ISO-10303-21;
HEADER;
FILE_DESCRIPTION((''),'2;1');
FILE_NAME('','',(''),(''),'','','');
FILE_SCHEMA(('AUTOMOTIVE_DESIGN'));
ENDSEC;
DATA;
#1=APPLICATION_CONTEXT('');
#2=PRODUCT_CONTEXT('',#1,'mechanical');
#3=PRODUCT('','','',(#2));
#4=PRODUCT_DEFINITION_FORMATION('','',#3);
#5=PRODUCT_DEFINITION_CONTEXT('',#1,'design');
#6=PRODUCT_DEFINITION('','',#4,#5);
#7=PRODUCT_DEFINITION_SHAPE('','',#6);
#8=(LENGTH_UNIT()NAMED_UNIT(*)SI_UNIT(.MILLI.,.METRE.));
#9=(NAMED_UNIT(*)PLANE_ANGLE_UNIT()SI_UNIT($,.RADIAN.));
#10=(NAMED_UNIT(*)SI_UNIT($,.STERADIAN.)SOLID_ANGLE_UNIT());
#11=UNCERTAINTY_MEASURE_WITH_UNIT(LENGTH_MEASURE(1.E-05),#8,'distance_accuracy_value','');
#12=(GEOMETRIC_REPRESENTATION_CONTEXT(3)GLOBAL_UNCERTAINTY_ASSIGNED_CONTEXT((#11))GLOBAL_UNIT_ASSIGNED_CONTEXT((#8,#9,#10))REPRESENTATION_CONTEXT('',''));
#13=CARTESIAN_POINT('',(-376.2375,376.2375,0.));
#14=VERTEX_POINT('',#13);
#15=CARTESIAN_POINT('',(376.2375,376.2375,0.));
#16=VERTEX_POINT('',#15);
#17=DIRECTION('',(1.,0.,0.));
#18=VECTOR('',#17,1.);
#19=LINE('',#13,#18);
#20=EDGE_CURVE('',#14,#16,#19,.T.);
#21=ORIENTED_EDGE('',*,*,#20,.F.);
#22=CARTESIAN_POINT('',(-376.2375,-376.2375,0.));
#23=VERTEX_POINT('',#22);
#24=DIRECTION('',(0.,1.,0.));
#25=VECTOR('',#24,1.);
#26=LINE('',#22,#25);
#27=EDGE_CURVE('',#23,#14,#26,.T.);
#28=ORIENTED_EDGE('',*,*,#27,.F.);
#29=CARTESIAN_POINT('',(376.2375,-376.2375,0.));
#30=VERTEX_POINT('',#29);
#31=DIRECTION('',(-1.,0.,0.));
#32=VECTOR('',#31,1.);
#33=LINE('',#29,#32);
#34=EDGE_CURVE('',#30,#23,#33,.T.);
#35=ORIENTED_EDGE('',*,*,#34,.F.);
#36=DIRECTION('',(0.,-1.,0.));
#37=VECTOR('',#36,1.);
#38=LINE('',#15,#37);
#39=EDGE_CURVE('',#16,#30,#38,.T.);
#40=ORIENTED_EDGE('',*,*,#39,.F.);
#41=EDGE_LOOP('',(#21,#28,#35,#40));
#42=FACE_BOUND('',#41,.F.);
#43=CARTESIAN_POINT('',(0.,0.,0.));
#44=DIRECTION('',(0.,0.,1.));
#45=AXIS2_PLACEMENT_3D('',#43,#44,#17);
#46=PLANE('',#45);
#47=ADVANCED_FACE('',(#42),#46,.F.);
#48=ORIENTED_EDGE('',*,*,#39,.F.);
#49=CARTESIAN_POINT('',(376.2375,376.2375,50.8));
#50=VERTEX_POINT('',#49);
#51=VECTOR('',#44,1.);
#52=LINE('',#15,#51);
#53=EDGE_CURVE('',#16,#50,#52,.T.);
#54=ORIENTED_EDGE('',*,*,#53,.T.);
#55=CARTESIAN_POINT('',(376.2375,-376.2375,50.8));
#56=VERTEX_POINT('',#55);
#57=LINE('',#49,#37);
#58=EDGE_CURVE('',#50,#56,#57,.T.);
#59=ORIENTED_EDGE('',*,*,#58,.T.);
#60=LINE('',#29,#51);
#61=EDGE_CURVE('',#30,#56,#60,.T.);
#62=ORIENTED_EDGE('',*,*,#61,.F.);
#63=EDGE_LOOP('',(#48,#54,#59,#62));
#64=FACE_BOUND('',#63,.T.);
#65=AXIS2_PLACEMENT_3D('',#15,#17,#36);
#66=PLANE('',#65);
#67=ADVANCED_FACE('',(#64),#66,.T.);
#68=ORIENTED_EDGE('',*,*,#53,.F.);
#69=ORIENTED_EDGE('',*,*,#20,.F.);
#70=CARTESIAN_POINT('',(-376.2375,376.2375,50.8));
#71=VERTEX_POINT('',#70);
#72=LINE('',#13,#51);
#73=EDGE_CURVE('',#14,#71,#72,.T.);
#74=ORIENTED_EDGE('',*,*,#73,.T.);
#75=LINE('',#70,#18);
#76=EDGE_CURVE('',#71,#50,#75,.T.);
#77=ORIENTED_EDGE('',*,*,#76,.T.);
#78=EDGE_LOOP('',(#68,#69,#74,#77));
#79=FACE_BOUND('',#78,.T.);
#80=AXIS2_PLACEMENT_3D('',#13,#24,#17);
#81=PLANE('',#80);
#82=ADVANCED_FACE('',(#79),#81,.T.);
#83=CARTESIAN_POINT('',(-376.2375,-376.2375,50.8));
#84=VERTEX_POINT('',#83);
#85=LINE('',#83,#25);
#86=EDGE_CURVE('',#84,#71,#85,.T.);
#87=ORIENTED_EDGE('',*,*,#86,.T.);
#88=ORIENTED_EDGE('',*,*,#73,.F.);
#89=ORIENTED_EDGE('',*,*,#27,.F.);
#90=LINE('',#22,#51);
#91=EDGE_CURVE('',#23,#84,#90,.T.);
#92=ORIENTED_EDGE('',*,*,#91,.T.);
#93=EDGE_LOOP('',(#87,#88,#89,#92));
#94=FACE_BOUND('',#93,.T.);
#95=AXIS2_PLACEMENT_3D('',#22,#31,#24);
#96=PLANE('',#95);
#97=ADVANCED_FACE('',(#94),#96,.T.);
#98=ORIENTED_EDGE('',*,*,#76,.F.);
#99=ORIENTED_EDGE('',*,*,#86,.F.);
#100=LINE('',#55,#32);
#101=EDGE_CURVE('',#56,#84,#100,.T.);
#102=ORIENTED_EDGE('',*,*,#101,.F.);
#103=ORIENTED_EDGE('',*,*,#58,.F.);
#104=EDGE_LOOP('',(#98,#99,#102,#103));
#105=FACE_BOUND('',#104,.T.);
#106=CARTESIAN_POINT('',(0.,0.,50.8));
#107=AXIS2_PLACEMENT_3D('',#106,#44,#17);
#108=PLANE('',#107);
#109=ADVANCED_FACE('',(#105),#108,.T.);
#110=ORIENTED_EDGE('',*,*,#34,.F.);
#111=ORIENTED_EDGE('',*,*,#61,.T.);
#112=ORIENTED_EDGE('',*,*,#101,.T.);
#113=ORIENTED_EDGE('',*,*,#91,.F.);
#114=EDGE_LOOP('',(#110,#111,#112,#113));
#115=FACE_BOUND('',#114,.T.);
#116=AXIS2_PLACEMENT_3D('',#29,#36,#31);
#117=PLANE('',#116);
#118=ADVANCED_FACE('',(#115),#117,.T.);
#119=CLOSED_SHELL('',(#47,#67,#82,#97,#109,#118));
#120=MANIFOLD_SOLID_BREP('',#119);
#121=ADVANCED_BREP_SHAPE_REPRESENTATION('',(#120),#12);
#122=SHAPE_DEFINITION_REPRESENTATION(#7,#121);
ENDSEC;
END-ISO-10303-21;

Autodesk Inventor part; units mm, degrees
ref_plane "YZ Plane" through (0, 0, 0) normal (1, 0, 0) x (0, 1, 0)
ref_plane "XZ Plane" through (0, 0, 0) normal (0, 1, 0) x (-1, 0, 0)
ref_plane "XY Plane" through (0, 0, 0) normal (0, 0, 1) x (1, 0, 0)
sketch "Sketch1" plane through (0, 0, 0) normal (0, 0, 1) x (1, 0, 0)
  line L0 (-376.2375, 376.2375) -> (376.2375, 376.2375)
  line L1 (376.2375, 376.2375) -> (376.2375, -376.2375)
  line L2 (376.2375, -376.2375) -> (-376.2375, -376.2375)
  line L3 (-376.2375, -376.2375) -> (-376.2375, 376.2375)
  line L4 (-376.2375, 376.2375) -> (376.2375, -376.2375) construction
  line L5 (376.2375, 376.2375) -> (-376.2375, -376.2375) construction
  point P0 (0, 0)
  dimension "d0" = 752.475
  dimension "d1" = 752.475
extrude "Extrusion1" add sketch "Sketch1" along normal blind 50.8
properties part number "5-4x29.625x29.625x2 as paver" material "Limestone"
